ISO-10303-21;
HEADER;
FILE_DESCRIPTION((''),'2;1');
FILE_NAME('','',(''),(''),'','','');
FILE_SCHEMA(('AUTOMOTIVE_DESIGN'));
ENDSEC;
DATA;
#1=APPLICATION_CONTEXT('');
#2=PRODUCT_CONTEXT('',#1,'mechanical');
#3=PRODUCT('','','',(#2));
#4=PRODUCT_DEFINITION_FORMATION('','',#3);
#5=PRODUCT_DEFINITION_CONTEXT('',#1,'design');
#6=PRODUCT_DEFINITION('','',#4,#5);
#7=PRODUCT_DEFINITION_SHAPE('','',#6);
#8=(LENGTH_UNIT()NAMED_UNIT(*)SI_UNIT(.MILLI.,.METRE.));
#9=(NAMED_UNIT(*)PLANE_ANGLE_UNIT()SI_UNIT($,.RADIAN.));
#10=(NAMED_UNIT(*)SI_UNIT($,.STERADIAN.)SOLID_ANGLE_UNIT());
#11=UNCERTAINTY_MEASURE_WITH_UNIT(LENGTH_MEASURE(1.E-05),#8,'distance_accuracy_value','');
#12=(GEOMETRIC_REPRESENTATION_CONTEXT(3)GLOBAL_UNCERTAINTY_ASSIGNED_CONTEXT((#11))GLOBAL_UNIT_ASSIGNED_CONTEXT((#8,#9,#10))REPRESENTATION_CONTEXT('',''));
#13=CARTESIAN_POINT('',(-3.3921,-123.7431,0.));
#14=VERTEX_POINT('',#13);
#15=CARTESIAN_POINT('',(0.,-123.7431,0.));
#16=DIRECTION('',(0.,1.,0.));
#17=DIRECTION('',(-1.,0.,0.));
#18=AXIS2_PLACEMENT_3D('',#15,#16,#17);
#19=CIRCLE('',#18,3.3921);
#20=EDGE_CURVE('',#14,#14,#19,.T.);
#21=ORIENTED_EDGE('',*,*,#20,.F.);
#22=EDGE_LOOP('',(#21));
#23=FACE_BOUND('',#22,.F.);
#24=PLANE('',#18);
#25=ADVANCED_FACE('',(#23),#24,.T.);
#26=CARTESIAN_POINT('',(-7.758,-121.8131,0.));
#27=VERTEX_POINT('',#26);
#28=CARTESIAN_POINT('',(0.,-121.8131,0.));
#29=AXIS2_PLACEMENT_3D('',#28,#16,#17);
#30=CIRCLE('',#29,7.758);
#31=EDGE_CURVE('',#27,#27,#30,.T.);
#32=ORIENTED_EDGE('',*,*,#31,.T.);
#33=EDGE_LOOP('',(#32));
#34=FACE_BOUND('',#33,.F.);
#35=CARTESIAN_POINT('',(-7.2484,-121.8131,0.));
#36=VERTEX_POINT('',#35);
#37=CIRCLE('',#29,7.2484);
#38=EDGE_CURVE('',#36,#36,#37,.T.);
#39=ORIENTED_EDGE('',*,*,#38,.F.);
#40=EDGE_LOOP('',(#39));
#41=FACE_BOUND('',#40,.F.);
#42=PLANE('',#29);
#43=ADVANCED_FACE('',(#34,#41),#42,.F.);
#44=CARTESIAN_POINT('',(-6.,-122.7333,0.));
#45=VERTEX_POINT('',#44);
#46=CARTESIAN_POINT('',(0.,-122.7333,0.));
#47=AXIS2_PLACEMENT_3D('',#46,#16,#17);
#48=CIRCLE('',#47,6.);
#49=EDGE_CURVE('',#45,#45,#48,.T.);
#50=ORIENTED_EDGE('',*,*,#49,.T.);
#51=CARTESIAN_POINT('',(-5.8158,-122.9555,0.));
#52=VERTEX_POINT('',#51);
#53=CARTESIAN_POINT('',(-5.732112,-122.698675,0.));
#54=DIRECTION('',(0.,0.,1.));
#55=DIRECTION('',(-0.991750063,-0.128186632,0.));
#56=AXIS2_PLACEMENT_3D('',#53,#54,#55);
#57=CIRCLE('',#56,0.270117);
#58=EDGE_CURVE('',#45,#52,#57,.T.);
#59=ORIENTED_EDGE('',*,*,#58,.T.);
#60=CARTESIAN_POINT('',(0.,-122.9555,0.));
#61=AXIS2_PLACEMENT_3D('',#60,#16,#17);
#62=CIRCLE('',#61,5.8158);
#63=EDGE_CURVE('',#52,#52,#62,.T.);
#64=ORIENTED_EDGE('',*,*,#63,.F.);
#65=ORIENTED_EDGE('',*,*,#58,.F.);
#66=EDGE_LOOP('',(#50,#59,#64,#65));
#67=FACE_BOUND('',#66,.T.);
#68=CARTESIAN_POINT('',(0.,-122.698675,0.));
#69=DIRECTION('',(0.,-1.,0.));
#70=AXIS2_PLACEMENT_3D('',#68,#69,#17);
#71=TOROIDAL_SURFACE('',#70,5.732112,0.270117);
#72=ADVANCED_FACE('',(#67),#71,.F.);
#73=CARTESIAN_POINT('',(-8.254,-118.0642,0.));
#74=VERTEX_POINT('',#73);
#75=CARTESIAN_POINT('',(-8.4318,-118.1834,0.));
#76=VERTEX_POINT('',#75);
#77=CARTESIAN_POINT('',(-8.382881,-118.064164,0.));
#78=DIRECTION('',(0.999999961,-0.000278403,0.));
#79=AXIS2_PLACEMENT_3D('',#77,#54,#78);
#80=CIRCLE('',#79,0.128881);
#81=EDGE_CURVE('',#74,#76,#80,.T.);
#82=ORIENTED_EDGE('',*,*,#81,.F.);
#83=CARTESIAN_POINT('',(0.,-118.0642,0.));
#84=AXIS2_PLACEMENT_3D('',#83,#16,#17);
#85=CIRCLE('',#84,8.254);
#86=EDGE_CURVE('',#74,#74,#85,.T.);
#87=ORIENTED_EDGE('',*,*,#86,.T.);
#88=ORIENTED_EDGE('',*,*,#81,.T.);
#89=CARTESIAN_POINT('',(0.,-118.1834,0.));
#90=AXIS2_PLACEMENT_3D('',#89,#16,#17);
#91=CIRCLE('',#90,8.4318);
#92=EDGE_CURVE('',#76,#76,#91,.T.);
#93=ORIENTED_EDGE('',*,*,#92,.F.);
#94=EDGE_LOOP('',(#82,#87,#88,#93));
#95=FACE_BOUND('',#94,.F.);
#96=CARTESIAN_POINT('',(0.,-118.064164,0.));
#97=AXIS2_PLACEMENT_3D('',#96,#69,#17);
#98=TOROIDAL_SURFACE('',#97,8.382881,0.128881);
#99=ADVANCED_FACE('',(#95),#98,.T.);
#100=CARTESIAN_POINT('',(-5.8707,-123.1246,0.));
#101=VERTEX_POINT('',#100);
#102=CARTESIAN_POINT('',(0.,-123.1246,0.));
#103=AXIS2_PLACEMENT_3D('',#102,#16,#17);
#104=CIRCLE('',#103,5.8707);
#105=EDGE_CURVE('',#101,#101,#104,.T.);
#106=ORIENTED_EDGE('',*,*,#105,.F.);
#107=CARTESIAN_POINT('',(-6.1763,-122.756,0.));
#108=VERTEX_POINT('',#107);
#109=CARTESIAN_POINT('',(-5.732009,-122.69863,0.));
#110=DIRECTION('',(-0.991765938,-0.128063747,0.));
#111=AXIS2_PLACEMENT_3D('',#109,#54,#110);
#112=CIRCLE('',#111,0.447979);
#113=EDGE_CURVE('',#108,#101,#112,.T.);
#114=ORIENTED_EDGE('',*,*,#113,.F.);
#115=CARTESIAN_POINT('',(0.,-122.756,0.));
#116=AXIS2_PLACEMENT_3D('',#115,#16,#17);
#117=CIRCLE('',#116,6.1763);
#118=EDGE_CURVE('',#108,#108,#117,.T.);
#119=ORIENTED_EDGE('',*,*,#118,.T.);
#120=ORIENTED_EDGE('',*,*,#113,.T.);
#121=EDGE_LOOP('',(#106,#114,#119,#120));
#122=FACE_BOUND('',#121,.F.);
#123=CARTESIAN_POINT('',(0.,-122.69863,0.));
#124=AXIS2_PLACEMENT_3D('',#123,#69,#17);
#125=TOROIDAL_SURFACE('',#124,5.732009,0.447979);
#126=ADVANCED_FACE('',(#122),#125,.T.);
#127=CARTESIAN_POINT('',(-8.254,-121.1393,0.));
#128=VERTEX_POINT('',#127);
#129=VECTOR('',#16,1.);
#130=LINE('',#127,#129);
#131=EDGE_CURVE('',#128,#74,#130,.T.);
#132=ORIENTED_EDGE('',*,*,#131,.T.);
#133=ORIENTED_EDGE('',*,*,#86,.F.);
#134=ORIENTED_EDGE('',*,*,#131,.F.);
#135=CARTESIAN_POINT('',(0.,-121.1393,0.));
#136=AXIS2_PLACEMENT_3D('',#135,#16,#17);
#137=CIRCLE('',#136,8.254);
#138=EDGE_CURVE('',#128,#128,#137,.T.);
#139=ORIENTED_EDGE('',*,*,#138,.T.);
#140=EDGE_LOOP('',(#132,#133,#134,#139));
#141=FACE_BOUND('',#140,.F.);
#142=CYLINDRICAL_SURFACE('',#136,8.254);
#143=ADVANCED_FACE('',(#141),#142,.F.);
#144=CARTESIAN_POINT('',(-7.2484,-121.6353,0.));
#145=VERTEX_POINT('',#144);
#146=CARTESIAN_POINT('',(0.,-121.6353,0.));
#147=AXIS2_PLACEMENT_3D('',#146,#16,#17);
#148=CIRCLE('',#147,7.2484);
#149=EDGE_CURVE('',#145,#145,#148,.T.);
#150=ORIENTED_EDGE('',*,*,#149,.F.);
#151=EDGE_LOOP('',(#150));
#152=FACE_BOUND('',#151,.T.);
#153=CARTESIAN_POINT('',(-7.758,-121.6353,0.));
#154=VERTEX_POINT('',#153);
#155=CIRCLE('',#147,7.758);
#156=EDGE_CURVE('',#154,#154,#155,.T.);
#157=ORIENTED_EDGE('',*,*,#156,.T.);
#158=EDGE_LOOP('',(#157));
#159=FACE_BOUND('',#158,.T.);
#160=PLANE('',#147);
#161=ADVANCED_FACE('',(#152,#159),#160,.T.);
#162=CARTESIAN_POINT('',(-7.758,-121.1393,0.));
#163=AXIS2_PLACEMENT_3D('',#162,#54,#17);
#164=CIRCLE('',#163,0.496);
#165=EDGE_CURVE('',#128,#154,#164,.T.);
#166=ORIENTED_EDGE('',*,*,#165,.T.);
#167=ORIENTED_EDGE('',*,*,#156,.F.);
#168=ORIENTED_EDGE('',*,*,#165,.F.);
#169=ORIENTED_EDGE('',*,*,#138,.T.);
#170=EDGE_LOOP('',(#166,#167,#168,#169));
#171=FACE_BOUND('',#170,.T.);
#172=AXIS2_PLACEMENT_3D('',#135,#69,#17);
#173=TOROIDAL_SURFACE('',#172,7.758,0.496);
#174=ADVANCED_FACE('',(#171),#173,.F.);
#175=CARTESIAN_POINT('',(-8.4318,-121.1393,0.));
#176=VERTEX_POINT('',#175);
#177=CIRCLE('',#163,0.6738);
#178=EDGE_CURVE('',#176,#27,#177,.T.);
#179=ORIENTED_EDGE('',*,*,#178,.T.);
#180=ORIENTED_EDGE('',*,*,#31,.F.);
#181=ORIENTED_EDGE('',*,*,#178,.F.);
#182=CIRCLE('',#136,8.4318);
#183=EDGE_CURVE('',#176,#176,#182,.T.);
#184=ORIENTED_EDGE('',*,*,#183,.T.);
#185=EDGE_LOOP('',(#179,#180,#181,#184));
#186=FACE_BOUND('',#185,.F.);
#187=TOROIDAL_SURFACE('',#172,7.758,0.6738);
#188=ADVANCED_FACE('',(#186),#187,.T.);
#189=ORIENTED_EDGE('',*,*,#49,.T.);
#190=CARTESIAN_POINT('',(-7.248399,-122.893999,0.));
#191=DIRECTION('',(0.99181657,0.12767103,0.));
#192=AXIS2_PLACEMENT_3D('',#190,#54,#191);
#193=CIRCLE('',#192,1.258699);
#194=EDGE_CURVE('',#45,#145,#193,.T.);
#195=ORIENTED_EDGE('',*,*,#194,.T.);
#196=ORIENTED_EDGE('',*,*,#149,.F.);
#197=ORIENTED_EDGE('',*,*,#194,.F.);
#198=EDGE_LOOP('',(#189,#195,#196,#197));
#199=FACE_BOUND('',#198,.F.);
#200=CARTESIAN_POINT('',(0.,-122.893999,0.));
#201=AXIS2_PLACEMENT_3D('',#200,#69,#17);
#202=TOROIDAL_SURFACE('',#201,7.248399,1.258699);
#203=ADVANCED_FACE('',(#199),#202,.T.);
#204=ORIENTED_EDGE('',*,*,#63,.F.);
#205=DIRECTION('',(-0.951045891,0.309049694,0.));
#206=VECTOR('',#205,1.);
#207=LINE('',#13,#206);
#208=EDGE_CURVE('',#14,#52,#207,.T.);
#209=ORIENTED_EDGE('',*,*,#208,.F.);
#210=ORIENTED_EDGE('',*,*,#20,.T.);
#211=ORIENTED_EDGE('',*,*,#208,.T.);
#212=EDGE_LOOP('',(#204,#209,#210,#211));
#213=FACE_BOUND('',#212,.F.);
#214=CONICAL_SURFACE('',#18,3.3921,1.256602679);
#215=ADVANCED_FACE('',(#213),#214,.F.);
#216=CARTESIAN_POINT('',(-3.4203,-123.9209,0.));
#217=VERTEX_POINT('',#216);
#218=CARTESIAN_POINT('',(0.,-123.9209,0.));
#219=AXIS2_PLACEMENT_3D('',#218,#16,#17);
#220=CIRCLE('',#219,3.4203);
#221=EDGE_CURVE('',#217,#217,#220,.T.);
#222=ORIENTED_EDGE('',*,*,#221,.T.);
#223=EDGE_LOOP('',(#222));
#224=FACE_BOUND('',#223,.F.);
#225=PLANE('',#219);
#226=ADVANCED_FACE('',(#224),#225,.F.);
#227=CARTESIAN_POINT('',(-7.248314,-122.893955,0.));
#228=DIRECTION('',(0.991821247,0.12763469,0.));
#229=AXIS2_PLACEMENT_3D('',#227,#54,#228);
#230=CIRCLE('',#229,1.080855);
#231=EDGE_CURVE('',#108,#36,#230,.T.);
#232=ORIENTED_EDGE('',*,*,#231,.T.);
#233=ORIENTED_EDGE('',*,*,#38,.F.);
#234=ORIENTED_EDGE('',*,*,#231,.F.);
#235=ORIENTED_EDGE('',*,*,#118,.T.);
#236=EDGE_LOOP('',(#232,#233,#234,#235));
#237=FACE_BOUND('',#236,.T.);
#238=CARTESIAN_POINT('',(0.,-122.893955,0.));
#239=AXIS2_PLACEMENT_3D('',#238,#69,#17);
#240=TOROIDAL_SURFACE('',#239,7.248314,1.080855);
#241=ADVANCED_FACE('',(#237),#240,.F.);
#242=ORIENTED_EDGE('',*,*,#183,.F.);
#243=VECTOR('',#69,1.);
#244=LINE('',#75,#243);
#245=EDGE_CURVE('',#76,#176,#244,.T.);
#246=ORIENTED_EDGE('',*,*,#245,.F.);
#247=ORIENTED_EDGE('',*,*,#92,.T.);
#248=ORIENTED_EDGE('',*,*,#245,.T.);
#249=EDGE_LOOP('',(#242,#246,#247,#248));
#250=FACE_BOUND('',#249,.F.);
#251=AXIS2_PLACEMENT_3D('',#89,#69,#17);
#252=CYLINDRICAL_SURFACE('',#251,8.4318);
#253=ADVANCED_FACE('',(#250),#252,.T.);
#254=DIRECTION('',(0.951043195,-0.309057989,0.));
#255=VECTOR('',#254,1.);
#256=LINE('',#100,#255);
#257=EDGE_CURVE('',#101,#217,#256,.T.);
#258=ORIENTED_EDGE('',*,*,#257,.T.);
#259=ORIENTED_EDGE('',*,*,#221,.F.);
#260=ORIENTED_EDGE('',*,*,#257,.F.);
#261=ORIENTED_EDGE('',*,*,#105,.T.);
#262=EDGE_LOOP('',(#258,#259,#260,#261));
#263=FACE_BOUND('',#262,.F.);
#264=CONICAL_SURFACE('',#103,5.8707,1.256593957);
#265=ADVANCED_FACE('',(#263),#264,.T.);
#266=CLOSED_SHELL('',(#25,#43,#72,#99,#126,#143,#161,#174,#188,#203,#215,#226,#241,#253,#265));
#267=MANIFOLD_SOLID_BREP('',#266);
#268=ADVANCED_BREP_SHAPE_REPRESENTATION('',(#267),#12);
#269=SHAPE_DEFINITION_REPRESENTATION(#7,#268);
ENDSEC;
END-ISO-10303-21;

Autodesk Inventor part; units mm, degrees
ref_plane "YZ Plane" through (0, 0, 0) normal (1, 0, 0) x (0, 1, 0)
ref_plane "XZ Plane" through (0, 0, 0) normal (0, 1, 0) x (-1, 0, 0)
ref_plane "XY Plane" through (0, 0, 0) normal (0, 0, 1) x (1, 0, 0)
sketch "Sketch2" plane through (0, 0, 0) normal (0, 0, 1) x (1, 0, 0)
  line L0 (-8, -119.2353) -> (-8, -116.9353)
  line L1 (-6, -122.7333) -> (6, -122.7333) construction
  line L2 (0, -124.2363) -> (0, -116.6139)
  line L3 (-7.758, -121.6353) -> (-6.858, -121.6353) projected
  line L4 (1.9209, -117.9353) -> (-6, -117.9353) construction
  line L5 (3.2643, -119.9353) -> (-5.8702, -119.9353) construction
  line L6 (-8.254, -121.1393) -> (-8.254, -118.0642)
  line L7 (0, -123.7431) -> (-3.3921, -123.7431)
  arc A0 (-8.254, -121.1393) -> (-7.758, -121.6353) centre (-7.758, -121.1393) ccw
  line L8 (-7.758, -121.6353) -> (-7.2484, -121.6353)
  line L9 (-3.3921, -123.7431) -> (-5.8158, -122.9555)
  arc A1 (-6, -122.7333) -> (-5.8158, -122.9555) centre (-5.7324, -122.6988) ccw
  arc A2 (-6, -122.7333) -> (-7.2484, -121.6353) centre (-7.2484, -122.894) ccw
  line L10 (-8.4318, -118.1834) -> (-8.4318, -121.1393)
  arc A3 (-8.4318, -121.1393) -> (-7.758, -121.8131) centre (-7.758, -121.1393) ccw
  line L11 (-7.758, -121.8131) -> (-7.2484, -121.8131)
  arc A4 (-6.1763, -122.756) -> (-7.2484, -121.8131) centre (-7.2484, -122.894) ccw
  arc A5 (-6.1763, -122.756) -> (-5.8707, -123.1246) centre (-5.7324, -122.6988) ccw
  line L12 (-5.8707, -123.1246) -> (-3.4203, -123.9209)
  line L13 (-3.4203, -123.9209) -> (0, -123.9209)
  line L14 (0, -123.9209) -> (0, -123.7431)
  arc A6 (-8.254, -118.0642) -> (-8.4318, -118.1834) centre (-8.3829, -118.0642) ccw
  point P0 (0, 0)
  point P1 (-8.3829, -117.9353)
  dimension "d8" = 2
  dimension "d9" = 0.254
  dimension "d10" = 0.1778
revolve "Revolution1" add sketch "Sketch2" angle 360 about axis through (0, -124.2363, 0) along (0, 1, 0)
properties part number "Case" material "Polycarbonate, Smoke"
